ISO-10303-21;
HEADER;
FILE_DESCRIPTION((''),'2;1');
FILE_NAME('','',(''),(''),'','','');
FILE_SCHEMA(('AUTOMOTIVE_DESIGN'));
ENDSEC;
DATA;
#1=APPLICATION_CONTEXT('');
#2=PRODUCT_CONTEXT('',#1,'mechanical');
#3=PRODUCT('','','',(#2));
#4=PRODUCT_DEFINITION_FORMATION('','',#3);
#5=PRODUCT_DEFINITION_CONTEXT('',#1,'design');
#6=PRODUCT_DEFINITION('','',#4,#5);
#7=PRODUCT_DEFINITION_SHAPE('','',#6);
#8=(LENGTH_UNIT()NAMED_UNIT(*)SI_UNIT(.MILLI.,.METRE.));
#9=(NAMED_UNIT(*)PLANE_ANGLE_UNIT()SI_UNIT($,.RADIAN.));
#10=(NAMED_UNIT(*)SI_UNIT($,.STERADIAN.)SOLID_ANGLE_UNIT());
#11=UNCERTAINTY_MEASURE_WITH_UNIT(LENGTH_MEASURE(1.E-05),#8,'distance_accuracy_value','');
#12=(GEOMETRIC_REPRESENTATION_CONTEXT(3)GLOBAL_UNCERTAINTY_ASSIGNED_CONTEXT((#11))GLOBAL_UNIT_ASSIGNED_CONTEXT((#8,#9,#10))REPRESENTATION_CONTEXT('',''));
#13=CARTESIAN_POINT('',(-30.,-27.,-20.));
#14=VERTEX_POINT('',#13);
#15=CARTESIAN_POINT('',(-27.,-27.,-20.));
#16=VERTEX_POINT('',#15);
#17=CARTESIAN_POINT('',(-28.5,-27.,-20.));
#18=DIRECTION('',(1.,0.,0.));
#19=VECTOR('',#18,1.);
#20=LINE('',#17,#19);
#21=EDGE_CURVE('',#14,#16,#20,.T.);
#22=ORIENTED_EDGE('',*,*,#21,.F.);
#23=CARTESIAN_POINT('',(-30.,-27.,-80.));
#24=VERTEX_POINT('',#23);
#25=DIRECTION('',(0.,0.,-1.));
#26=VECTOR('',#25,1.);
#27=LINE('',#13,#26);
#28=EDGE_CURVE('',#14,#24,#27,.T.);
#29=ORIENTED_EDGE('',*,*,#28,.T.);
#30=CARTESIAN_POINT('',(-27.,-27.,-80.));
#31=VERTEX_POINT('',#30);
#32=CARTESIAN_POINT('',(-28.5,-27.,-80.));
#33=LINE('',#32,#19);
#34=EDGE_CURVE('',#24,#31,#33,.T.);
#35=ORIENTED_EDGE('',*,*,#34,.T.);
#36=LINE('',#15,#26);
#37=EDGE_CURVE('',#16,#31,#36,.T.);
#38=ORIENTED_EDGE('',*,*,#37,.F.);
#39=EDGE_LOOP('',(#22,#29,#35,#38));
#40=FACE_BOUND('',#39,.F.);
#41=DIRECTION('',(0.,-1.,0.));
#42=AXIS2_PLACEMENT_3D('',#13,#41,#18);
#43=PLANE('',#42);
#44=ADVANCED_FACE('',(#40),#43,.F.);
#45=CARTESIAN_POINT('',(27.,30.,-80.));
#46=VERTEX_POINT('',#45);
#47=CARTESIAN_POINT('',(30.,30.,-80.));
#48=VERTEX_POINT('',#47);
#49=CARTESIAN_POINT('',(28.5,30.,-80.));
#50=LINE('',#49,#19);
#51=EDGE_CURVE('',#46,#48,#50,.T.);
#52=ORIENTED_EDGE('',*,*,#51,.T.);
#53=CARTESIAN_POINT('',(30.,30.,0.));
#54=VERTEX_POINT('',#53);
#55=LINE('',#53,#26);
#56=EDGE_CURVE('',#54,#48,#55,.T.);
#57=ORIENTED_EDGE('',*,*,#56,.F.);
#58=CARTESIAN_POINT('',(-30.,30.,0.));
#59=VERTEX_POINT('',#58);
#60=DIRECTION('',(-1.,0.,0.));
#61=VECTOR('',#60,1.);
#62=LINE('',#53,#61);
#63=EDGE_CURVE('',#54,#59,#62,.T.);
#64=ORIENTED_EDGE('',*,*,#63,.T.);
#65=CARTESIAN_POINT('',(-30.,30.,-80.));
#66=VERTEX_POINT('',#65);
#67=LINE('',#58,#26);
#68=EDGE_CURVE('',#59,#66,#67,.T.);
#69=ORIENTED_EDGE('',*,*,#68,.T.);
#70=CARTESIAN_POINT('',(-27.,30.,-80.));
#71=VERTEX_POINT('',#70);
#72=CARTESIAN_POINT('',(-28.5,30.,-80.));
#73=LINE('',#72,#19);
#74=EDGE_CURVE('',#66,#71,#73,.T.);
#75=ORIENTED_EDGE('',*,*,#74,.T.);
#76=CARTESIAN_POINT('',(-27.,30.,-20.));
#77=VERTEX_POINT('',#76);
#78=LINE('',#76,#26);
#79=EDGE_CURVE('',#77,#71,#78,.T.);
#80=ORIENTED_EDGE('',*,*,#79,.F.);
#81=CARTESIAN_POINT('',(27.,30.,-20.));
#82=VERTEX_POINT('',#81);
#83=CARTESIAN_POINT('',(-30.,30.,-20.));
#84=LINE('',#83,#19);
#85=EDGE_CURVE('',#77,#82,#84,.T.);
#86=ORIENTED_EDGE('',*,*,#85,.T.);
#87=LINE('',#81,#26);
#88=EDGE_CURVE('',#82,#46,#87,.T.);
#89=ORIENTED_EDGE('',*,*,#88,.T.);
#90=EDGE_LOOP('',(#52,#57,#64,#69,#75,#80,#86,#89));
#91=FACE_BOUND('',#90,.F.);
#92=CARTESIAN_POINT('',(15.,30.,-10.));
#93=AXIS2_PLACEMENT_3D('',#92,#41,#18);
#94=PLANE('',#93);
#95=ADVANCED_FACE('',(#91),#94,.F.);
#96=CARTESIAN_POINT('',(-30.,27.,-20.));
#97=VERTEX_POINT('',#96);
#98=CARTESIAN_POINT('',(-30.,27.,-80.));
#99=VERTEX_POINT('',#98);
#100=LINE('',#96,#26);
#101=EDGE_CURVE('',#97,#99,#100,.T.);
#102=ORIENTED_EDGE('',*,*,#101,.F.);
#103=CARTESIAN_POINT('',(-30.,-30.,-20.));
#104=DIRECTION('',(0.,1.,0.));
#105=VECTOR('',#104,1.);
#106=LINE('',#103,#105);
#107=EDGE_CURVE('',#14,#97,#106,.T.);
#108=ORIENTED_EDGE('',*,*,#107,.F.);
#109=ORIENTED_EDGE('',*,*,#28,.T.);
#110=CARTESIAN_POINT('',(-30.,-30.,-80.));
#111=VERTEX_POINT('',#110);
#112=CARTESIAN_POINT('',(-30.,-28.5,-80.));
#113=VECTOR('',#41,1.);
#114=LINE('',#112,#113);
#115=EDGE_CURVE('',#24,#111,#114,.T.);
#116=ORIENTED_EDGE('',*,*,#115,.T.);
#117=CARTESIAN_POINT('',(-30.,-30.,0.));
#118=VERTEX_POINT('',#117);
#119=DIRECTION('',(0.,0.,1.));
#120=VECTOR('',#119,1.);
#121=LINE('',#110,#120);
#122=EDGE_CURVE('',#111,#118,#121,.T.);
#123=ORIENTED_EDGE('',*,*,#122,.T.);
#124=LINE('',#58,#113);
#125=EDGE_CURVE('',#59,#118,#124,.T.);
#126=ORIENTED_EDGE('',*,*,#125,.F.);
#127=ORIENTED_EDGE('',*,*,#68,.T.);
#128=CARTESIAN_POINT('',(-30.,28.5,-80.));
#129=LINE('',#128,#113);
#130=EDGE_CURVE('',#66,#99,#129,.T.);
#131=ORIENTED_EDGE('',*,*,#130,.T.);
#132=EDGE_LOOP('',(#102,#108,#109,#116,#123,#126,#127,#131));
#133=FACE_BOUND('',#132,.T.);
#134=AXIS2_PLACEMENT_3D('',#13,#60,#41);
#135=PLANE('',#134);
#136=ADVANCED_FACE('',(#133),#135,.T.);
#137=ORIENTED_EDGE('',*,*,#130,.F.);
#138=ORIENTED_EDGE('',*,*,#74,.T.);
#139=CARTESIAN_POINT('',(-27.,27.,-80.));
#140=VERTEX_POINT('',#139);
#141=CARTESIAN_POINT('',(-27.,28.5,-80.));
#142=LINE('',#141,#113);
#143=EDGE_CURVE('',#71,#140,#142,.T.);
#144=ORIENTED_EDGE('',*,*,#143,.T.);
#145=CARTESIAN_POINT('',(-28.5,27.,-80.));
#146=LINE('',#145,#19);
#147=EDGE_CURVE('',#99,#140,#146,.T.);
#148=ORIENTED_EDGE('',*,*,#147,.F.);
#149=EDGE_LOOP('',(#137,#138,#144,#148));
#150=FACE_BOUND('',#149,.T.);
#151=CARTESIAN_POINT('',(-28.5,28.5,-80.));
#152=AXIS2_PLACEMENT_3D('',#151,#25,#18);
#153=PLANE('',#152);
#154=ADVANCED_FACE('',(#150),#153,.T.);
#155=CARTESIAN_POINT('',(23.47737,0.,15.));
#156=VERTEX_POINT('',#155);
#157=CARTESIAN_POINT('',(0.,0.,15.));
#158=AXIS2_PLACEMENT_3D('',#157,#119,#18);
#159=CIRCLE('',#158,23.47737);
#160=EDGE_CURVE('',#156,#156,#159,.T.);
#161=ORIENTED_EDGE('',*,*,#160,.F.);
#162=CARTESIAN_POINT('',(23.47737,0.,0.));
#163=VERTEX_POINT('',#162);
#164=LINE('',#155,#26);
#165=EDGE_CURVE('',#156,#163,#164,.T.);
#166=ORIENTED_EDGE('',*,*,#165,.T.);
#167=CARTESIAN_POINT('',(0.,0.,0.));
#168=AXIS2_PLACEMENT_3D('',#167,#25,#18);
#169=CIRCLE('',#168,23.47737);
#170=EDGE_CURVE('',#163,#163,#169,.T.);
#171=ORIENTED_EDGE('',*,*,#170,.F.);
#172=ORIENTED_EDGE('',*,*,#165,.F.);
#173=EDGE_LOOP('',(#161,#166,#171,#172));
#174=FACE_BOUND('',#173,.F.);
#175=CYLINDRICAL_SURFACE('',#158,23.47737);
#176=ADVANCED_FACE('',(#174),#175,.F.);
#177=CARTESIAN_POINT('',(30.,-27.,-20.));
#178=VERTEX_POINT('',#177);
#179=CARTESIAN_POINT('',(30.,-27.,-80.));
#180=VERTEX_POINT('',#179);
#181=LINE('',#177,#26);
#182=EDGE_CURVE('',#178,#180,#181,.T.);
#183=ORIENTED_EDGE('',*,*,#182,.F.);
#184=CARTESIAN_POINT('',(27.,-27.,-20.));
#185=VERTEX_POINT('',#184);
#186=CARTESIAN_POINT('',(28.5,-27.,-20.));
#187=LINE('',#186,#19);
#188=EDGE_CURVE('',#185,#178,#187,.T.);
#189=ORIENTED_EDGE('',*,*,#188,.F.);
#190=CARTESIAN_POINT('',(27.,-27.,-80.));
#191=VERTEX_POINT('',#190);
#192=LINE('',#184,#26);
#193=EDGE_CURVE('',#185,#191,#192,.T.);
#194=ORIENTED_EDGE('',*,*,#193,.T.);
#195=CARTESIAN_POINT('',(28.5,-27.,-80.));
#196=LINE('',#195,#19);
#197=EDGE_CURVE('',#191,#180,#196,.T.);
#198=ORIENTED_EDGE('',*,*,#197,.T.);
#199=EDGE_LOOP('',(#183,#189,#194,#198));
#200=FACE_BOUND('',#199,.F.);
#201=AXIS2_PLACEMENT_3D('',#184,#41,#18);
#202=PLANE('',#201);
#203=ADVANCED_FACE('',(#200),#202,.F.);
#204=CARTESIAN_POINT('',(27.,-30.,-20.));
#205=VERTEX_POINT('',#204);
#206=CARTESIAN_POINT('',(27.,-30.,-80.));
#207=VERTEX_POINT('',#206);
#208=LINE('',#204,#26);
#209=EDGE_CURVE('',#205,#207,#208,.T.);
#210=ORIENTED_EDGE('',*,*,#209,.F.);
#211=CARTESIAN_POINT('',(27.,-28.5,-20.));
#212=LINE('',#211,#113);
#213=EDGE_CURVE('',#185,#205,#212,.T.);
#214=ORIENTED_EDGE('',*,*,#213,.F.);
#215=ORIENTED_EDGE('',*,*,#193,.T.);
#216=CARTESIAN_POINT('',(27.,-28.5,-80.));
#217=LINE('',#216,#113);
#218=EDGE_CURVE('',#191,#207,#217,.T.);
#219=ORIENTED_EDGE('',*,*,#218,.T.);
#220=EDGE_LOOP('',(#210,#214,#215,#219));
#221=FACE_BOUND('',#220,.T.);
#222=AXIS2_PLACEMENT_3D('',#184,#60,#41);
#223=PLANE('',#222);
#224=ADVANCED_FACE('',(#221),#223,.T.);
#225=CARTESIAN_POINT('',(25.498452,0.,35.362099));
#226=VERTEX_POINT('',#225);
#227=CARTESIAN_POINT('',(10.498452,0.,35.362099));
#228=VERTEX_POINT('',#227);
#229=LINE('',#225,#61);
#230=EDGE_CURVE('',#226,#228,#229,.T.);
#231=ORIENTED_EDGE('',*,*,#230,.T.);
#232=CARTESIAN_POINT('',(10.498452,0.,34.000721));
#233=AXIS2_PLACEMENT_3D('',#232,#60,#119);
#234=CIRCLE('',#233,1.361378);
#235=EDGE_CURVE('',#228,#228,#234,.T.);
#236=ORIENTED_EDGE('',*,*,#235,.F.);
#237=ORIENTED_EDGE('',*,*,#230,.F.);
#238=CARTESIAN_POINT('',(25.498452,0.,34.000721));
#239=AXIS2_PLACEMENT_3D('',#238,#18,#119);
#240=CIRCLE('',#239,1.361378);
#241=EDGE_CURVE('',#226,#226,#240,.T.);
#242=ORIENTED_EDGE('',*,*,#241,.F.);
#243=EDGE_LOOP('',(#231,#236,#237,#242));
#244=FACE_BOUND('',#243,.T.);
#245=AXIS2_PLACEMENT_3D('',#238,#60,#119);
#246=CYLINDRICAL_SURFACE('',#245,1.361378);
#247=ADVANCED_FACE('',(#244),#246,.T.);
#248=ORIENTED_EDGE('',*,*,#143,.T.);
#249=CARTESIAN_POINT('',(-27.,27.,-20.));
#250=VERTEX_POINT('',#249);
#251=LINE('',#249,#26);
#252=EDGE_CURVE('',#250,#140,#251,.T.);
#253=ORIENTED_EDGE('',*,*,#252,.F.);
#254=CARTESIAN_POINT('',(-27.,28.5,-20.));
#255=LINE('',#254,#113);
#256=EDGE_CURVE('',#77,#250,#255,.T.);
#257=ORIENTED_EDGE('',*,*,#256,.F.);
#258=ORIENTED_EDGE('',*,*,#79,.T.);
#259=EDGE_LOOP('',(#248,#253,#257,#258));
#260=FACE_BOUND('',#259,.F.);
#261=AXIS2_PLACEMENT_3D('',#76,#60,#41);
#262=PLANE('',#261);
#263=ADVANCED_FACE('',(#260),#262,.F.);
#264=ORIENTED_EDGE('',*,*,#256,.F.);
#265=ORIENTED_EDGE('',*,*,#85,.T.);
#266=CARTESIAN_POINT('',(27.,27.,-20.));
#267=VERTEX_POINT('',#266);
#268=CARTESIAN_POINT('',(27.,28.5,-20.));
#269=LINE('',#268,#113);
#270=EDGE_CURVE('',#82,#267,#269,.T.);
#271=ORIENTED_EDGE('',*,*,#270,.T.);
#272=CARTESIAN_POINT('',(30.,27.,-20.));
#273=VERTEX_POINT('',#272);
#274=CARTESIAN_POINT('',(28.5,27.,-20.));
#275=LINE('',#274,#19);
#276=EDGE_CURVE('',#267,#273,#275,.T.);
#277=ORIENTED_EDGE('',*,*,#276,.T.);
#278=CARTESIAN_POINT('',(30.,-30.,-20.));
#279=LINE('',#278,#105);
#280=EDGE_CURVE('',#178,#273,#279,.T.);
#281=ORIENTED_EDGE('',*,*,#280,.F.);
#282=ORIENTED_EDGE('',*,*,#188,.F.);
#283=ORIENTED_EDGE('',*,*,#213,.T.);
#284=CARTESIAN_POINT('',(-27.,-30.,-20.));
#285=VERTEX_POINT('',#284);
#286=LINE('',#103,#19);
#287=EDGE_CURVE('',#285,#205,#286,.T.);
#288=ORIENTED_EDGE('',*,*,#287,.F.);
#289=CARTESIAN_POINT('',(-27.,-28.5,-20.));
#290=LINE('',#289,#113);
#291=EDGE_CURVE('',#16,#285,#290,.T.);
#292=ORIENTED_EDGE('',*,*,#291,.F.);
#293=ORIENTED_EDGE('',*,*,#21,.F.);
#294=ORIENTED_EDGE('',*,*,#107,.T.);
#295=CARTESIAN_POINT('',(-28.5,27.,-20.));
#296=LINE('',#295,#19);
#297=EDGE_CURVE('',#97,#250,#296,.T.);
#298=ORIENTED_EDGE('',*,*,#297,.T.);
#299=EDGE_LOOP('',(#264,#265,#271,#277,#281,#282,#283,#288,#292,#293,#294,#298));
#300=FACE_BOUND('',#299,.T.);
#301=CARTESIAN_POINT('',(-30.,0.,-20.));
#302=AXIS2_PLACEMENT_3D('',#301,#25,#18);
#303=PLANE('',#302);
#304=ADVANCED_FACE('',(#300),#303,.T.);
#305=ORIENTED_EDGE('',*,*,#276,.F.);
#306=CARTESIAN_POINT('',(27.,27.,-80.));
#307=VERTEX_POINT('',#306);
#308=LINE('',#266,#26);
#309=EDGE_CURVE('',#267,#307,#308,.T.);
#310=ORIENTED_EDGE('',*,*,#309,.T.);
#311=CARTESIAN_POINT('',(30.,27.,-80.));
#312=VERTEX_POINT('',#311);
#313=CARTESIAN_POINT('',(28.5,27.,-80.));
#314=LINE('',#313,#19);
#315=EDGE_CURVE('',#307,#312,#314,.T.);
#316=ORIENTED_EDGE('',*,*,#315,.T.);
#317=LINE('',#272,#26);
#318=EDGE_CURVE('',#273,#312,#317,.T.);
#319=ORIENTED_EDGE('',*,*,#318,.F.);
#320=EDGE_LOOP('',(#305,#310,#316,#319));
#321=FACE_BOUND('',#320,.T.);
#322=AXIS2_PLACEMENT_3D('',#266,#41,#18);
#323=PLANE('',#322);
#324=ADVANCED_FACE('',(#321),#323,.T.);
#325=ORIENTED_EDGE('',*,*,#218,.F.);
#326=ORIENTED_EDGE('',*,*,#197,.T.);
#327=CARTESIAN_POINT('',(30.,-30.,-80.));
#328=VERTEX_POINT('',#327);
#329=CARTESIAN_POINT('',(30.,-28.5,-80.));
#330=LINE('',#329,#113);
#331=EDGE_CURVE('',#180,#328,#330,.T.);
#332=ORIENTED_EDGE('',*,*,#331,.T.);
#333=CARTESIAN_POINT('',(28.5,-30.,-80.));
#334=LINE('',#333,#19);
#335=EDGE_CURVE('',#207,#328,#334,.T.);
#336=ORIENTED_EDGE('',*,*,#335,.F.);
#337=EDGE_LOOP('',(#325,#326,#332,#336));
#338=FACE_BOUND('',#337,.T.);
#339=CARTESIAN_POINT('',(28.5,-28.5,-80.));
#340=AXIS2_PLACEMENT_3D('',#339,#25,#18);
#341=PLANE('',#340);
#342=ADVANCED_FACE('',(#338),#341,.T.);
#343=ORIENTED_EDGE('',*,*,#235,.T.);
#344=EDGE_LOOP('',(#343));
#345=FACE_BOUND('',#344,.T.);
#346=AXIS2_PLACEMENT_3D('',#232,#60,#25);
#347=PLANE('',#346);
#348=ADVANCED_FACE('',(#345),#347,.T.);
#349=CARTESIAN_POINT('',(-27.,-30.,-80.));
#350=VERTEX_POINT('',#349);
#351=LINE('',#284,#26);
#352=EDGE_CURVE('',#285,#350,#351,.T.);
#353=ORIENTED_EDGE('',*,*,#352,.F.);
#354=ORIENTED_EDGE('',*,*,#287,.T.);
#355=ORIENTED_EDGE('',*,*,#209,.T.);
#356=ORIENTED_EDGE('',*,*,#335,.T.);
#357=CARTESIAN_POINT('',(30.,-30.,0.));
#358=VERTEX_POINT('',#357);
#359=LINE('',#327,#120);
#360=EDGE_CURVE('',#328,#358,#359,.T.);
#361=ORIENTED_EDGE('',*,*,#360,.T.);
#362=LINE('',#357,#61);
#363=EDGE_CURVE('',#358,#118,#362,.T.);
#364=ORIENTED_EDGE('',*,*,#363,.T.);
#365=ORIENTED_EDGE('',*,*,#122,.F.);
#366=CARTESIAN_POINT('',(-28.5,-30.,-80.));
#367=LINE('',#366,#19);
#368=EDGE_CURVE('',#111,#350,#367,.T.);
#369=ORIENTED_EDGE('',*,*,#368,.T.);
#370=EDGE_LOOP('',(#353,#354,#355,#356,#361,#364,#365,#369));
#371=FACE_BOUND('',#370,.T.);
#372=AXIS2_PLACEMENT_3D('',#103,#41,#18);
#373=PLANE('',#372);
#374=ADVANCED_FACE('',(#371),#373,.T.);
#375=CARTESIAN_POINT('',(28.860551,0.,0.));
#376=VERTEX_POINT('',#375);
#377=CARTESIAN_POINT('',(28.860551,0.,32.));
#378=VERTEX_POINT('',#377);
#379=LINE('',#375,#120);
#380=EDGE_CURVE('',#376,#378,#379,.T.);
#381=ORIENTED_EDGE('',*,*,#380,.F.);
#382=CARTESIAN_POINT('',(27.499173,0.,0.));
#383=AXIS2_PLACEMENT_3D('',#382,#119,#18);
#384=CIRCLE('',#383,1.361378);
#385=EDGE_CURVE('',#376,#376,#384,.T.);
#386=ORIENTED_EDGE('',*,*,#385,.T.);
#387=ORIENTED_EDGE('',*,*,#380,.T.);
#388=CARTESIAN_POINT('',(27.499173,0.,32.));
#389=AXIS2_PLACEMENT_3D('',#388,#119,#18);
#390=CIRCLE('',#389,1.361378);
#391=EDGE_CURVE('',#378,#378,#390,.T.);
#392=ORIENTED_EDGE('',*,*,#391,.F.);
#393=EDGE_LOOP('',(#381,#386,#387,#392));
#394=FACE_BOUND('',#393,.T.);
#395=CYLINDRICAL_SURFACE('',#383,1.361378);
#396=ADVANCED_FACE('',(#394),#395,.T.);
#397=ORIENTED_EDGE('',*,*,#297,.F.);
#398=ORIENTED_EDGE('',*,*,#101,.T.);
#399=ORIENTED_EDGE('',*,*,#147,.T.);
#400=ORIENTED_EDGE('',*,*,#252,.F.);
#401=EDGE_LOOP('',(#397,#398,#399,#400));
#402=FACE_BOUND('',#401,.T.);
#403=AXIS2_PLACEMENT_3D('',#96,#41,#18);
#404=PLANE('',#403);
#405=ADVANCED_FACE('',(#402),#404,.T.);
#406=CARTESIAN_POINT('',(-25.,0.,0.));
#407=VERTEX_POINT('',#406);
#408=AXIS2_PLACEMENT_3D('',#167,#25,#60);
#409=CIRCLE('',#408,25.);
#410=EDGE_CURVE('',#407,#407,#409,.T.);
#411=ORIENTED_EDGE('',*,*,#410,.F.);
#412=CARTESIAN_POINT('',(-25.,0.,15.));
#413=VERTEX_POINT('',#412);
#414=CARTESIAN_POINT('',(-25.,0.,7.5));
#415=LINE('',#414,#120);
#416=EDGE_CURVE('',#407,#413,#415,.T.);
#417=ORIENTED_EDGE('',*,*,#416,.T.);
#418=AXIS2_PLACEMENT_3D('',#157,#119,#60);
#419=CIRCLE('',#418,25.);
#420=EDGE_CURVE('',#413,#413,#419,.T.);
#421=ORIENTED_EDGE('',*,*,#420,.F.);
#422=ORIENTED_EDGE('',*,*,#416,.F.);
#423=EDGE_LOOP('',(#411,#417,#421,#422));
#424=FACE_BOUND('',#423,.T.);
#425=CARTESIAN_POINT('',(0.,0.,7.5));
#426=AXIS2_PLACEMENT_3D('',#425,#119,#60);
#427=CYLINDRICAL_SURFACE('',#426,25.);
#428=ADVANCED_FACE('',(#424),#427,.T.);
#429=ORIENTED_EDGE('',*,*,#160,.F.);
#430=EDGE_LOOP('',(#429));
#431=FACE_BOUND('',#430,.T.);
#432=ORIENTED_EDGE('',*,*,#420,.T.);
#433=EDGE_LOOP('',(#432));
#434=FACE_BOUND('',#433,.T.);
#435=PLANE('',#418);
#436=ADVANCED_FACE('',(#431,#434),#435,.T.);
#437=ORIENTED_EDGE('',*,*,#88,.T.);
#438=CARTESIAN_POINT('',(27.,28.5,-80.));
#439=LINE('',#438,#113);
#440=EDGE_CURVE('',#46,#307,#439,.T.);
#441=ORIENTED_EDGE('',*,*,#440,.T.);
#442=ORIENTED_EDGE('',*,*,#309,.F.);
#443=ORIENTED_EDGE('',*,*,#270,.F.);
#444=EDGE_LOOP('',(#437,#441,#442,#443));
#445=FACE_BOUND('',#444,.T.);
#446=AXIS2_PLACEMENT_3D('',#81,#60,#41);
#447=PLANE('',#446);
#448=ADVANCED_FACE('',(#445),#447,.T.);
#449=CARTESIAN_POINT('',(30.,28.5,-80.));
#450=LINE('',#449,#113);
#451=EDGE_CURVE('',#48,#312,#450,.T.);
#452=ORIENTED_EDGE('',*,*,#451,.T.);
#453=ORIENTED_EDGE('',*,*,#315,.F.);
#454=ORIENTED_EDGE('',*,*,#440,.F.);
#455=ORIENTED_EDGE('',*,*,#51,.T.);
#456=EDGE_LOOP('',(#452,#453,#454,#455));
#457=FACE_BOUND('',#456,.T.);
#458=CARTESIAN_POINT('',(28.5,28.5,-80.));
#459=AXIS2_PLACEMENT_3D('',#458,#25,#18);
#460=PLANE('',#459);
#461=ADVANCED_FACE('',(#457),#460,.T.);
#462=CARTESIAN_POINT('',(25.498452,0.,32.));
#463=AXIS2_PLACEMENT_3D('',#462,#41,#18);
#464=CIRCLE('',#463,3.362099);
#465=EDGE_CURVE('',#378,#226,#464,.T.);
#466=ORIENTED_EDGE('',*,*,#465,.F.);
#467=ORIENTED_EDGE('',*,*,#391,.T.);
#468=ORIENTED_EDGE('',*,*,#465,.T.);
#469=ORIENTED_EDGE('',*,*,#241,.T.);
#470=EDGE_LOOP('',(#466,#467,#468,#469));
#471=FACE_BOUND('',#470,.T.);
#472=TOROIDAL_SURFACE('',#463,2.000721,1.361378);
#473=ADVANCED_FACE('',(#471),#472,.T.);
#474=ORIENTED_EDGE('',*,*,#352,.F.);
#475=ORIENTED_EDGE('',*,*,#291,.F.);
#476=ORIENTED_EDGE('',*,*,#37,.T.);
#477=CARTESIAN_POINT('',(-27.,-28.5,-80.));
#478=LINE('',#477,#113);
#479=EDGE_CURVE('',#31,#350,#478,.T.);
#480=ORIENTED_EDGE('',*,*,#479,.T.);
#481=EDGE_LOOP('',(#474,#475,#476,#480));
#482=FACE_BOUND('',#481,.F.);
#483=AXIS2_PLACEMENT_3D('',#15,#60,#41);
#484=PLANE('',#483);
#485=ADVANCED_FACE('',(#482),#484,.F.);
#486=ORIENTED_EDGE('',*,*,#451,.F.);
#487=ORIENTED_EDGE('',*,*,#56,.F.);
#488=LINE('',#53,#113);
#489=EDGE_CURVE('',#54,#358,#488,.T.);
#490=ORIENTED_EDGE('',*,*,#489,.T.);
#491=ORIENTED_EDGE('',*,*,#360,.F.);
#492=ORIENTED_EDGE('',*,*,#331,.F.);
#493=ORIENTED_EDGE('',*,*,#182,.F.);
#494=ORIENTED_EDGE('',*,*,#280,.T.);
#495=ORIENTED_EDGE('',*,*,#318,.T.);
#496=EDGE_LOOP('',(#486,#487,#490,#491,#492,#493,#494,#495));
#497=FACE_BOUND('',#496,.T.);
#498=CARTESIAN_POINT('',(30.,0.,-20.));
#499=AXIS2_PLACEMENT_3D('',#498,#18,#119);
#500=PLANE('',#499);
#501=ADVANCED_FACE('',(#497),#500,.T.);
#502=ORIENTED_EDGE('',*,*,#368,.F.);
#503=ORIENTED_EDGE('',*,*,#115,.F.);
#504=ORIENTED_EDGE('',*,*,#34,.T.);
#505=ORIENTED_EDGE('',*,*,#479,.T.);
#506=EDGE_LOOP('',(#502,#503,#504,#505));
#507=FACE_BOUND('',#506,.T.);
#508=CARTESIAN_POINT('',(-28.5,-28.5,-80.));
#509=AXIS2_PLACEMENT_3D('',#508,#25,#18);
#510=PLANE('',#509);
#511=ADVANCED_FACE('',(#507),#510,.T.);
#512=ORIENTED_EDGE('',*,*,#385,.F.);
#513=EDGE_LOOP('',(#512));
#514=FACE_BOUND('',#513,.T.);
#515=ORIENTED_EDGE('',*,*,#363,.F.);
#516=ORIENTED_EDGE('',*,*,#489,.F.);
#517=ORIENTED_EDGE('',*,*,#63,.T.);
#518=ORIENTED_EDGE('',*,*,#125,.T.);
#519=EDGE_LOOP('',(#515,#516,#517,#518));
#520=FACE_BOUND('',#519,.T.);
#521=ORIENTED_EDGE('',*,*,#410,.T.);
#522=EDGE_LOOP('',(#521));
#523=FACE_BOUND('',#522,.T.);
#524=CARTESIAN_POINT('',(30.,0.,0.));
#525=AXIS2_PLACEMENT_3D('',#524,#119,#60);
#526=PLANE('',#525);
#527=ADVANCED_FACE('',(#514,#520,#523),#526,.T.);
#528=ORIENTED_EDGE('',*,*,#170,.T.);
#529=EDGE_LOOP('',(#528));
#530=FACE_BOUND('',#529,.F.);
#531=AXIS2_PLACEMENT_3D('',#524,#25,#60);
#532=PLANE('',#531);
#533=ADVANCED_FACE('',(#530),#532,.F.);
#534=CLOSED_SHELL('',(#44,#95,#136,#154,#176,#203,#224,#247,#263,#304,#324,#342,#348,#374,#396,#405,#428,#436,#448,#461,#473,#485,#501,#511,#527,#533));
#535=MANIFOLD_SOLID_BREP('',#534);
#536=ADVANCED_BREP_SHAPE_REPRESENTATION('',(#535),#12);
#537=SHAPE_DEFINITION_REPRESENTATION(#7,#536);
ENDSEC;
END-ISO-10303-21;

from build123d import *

# Parameters (mm, degrees)
F0_W          = 25
F0_H          = 15
F2_R          = 23.4773699194
F3_DEPTH      = 18.22955
F4_W          = 30
F4_H          = 20
F5_DEPTH      = 30
F5_DEPTH_BACK = 30
F7_R          = 1.3613777444
F9_W          = 3
F9_H          = 3
F10_DEPTH     = 60


with BuildPart() as f1:
    # F0 (on Front) → F1 (revolve)
    with BuildSketch(Plane.XZ):
        with Locations((-12.5, 7.5)):
            Rectangle(F0_W, F0_H)
    revolve(axis=Axis((0, 0, 7.5), (0, 0, 1)))

    # F2 (on face) → F3 (cut)
    with BuildSketch(Plane.XY.offset(15)):
        Circle(F2_R)
    extrude(amount=-F3_DEPTH, mode=Mode.SUBTRACT)

    # F4 (on Front) → F5 (join, two sides)
    with BuildSketch(Plane.XZ) as f5_sk:
        with Locations((15, -10)):
            Rectangle(F4_W, F4_H)
        with Locations((-15, -10)):
            Rectangle(F4_W, F4_H)
    extrude(amount=F5_DEPTH)
    extrude(f5_sk.sketch, amount=-F5_DEPTH_BACK)

    # F8: sweep along a path in F6
    with BuildLine(Plane.XZ) as f8_path:
        Line((27.4984519929, 0), (27.4984519929, 32))
        ThreePointArc((27.4984519929, 32), (26.9126655552, 33.4142135624), (25.4984519929, 34))
        Line((25.4984519929, 34), (10.4984519929, 34))
    # F7 (on Top) → F8 (sweep)
    with BuildSketch(Plane.XY):
        with Locations((27.4991728365, 0)):
            Circle(F7_R)
    sweep(path=f8_path.line)

    # F9 (on face) → F10 (join)
    with BuildSketch(Plane(origin=(0, 0, -20), x_dir=(1, 0, 0), z_dir=(0, 0, -1))):
        with Locations((-28.5, 28.5)):
            Rectangle(F9_W, F9_H)
        with Locations((28.5, 28.5)):
            Rectangle(F9_W, F9_H)
        with Locations((-28.5, -28.5)):
            Rectangle(F9_W, F9_H)
        with Locations((28.5, -28.5)):
            Rectangle(F9_W, F9_H)
    extrude(amount=F10_DEPTH)


solid = f1.part
